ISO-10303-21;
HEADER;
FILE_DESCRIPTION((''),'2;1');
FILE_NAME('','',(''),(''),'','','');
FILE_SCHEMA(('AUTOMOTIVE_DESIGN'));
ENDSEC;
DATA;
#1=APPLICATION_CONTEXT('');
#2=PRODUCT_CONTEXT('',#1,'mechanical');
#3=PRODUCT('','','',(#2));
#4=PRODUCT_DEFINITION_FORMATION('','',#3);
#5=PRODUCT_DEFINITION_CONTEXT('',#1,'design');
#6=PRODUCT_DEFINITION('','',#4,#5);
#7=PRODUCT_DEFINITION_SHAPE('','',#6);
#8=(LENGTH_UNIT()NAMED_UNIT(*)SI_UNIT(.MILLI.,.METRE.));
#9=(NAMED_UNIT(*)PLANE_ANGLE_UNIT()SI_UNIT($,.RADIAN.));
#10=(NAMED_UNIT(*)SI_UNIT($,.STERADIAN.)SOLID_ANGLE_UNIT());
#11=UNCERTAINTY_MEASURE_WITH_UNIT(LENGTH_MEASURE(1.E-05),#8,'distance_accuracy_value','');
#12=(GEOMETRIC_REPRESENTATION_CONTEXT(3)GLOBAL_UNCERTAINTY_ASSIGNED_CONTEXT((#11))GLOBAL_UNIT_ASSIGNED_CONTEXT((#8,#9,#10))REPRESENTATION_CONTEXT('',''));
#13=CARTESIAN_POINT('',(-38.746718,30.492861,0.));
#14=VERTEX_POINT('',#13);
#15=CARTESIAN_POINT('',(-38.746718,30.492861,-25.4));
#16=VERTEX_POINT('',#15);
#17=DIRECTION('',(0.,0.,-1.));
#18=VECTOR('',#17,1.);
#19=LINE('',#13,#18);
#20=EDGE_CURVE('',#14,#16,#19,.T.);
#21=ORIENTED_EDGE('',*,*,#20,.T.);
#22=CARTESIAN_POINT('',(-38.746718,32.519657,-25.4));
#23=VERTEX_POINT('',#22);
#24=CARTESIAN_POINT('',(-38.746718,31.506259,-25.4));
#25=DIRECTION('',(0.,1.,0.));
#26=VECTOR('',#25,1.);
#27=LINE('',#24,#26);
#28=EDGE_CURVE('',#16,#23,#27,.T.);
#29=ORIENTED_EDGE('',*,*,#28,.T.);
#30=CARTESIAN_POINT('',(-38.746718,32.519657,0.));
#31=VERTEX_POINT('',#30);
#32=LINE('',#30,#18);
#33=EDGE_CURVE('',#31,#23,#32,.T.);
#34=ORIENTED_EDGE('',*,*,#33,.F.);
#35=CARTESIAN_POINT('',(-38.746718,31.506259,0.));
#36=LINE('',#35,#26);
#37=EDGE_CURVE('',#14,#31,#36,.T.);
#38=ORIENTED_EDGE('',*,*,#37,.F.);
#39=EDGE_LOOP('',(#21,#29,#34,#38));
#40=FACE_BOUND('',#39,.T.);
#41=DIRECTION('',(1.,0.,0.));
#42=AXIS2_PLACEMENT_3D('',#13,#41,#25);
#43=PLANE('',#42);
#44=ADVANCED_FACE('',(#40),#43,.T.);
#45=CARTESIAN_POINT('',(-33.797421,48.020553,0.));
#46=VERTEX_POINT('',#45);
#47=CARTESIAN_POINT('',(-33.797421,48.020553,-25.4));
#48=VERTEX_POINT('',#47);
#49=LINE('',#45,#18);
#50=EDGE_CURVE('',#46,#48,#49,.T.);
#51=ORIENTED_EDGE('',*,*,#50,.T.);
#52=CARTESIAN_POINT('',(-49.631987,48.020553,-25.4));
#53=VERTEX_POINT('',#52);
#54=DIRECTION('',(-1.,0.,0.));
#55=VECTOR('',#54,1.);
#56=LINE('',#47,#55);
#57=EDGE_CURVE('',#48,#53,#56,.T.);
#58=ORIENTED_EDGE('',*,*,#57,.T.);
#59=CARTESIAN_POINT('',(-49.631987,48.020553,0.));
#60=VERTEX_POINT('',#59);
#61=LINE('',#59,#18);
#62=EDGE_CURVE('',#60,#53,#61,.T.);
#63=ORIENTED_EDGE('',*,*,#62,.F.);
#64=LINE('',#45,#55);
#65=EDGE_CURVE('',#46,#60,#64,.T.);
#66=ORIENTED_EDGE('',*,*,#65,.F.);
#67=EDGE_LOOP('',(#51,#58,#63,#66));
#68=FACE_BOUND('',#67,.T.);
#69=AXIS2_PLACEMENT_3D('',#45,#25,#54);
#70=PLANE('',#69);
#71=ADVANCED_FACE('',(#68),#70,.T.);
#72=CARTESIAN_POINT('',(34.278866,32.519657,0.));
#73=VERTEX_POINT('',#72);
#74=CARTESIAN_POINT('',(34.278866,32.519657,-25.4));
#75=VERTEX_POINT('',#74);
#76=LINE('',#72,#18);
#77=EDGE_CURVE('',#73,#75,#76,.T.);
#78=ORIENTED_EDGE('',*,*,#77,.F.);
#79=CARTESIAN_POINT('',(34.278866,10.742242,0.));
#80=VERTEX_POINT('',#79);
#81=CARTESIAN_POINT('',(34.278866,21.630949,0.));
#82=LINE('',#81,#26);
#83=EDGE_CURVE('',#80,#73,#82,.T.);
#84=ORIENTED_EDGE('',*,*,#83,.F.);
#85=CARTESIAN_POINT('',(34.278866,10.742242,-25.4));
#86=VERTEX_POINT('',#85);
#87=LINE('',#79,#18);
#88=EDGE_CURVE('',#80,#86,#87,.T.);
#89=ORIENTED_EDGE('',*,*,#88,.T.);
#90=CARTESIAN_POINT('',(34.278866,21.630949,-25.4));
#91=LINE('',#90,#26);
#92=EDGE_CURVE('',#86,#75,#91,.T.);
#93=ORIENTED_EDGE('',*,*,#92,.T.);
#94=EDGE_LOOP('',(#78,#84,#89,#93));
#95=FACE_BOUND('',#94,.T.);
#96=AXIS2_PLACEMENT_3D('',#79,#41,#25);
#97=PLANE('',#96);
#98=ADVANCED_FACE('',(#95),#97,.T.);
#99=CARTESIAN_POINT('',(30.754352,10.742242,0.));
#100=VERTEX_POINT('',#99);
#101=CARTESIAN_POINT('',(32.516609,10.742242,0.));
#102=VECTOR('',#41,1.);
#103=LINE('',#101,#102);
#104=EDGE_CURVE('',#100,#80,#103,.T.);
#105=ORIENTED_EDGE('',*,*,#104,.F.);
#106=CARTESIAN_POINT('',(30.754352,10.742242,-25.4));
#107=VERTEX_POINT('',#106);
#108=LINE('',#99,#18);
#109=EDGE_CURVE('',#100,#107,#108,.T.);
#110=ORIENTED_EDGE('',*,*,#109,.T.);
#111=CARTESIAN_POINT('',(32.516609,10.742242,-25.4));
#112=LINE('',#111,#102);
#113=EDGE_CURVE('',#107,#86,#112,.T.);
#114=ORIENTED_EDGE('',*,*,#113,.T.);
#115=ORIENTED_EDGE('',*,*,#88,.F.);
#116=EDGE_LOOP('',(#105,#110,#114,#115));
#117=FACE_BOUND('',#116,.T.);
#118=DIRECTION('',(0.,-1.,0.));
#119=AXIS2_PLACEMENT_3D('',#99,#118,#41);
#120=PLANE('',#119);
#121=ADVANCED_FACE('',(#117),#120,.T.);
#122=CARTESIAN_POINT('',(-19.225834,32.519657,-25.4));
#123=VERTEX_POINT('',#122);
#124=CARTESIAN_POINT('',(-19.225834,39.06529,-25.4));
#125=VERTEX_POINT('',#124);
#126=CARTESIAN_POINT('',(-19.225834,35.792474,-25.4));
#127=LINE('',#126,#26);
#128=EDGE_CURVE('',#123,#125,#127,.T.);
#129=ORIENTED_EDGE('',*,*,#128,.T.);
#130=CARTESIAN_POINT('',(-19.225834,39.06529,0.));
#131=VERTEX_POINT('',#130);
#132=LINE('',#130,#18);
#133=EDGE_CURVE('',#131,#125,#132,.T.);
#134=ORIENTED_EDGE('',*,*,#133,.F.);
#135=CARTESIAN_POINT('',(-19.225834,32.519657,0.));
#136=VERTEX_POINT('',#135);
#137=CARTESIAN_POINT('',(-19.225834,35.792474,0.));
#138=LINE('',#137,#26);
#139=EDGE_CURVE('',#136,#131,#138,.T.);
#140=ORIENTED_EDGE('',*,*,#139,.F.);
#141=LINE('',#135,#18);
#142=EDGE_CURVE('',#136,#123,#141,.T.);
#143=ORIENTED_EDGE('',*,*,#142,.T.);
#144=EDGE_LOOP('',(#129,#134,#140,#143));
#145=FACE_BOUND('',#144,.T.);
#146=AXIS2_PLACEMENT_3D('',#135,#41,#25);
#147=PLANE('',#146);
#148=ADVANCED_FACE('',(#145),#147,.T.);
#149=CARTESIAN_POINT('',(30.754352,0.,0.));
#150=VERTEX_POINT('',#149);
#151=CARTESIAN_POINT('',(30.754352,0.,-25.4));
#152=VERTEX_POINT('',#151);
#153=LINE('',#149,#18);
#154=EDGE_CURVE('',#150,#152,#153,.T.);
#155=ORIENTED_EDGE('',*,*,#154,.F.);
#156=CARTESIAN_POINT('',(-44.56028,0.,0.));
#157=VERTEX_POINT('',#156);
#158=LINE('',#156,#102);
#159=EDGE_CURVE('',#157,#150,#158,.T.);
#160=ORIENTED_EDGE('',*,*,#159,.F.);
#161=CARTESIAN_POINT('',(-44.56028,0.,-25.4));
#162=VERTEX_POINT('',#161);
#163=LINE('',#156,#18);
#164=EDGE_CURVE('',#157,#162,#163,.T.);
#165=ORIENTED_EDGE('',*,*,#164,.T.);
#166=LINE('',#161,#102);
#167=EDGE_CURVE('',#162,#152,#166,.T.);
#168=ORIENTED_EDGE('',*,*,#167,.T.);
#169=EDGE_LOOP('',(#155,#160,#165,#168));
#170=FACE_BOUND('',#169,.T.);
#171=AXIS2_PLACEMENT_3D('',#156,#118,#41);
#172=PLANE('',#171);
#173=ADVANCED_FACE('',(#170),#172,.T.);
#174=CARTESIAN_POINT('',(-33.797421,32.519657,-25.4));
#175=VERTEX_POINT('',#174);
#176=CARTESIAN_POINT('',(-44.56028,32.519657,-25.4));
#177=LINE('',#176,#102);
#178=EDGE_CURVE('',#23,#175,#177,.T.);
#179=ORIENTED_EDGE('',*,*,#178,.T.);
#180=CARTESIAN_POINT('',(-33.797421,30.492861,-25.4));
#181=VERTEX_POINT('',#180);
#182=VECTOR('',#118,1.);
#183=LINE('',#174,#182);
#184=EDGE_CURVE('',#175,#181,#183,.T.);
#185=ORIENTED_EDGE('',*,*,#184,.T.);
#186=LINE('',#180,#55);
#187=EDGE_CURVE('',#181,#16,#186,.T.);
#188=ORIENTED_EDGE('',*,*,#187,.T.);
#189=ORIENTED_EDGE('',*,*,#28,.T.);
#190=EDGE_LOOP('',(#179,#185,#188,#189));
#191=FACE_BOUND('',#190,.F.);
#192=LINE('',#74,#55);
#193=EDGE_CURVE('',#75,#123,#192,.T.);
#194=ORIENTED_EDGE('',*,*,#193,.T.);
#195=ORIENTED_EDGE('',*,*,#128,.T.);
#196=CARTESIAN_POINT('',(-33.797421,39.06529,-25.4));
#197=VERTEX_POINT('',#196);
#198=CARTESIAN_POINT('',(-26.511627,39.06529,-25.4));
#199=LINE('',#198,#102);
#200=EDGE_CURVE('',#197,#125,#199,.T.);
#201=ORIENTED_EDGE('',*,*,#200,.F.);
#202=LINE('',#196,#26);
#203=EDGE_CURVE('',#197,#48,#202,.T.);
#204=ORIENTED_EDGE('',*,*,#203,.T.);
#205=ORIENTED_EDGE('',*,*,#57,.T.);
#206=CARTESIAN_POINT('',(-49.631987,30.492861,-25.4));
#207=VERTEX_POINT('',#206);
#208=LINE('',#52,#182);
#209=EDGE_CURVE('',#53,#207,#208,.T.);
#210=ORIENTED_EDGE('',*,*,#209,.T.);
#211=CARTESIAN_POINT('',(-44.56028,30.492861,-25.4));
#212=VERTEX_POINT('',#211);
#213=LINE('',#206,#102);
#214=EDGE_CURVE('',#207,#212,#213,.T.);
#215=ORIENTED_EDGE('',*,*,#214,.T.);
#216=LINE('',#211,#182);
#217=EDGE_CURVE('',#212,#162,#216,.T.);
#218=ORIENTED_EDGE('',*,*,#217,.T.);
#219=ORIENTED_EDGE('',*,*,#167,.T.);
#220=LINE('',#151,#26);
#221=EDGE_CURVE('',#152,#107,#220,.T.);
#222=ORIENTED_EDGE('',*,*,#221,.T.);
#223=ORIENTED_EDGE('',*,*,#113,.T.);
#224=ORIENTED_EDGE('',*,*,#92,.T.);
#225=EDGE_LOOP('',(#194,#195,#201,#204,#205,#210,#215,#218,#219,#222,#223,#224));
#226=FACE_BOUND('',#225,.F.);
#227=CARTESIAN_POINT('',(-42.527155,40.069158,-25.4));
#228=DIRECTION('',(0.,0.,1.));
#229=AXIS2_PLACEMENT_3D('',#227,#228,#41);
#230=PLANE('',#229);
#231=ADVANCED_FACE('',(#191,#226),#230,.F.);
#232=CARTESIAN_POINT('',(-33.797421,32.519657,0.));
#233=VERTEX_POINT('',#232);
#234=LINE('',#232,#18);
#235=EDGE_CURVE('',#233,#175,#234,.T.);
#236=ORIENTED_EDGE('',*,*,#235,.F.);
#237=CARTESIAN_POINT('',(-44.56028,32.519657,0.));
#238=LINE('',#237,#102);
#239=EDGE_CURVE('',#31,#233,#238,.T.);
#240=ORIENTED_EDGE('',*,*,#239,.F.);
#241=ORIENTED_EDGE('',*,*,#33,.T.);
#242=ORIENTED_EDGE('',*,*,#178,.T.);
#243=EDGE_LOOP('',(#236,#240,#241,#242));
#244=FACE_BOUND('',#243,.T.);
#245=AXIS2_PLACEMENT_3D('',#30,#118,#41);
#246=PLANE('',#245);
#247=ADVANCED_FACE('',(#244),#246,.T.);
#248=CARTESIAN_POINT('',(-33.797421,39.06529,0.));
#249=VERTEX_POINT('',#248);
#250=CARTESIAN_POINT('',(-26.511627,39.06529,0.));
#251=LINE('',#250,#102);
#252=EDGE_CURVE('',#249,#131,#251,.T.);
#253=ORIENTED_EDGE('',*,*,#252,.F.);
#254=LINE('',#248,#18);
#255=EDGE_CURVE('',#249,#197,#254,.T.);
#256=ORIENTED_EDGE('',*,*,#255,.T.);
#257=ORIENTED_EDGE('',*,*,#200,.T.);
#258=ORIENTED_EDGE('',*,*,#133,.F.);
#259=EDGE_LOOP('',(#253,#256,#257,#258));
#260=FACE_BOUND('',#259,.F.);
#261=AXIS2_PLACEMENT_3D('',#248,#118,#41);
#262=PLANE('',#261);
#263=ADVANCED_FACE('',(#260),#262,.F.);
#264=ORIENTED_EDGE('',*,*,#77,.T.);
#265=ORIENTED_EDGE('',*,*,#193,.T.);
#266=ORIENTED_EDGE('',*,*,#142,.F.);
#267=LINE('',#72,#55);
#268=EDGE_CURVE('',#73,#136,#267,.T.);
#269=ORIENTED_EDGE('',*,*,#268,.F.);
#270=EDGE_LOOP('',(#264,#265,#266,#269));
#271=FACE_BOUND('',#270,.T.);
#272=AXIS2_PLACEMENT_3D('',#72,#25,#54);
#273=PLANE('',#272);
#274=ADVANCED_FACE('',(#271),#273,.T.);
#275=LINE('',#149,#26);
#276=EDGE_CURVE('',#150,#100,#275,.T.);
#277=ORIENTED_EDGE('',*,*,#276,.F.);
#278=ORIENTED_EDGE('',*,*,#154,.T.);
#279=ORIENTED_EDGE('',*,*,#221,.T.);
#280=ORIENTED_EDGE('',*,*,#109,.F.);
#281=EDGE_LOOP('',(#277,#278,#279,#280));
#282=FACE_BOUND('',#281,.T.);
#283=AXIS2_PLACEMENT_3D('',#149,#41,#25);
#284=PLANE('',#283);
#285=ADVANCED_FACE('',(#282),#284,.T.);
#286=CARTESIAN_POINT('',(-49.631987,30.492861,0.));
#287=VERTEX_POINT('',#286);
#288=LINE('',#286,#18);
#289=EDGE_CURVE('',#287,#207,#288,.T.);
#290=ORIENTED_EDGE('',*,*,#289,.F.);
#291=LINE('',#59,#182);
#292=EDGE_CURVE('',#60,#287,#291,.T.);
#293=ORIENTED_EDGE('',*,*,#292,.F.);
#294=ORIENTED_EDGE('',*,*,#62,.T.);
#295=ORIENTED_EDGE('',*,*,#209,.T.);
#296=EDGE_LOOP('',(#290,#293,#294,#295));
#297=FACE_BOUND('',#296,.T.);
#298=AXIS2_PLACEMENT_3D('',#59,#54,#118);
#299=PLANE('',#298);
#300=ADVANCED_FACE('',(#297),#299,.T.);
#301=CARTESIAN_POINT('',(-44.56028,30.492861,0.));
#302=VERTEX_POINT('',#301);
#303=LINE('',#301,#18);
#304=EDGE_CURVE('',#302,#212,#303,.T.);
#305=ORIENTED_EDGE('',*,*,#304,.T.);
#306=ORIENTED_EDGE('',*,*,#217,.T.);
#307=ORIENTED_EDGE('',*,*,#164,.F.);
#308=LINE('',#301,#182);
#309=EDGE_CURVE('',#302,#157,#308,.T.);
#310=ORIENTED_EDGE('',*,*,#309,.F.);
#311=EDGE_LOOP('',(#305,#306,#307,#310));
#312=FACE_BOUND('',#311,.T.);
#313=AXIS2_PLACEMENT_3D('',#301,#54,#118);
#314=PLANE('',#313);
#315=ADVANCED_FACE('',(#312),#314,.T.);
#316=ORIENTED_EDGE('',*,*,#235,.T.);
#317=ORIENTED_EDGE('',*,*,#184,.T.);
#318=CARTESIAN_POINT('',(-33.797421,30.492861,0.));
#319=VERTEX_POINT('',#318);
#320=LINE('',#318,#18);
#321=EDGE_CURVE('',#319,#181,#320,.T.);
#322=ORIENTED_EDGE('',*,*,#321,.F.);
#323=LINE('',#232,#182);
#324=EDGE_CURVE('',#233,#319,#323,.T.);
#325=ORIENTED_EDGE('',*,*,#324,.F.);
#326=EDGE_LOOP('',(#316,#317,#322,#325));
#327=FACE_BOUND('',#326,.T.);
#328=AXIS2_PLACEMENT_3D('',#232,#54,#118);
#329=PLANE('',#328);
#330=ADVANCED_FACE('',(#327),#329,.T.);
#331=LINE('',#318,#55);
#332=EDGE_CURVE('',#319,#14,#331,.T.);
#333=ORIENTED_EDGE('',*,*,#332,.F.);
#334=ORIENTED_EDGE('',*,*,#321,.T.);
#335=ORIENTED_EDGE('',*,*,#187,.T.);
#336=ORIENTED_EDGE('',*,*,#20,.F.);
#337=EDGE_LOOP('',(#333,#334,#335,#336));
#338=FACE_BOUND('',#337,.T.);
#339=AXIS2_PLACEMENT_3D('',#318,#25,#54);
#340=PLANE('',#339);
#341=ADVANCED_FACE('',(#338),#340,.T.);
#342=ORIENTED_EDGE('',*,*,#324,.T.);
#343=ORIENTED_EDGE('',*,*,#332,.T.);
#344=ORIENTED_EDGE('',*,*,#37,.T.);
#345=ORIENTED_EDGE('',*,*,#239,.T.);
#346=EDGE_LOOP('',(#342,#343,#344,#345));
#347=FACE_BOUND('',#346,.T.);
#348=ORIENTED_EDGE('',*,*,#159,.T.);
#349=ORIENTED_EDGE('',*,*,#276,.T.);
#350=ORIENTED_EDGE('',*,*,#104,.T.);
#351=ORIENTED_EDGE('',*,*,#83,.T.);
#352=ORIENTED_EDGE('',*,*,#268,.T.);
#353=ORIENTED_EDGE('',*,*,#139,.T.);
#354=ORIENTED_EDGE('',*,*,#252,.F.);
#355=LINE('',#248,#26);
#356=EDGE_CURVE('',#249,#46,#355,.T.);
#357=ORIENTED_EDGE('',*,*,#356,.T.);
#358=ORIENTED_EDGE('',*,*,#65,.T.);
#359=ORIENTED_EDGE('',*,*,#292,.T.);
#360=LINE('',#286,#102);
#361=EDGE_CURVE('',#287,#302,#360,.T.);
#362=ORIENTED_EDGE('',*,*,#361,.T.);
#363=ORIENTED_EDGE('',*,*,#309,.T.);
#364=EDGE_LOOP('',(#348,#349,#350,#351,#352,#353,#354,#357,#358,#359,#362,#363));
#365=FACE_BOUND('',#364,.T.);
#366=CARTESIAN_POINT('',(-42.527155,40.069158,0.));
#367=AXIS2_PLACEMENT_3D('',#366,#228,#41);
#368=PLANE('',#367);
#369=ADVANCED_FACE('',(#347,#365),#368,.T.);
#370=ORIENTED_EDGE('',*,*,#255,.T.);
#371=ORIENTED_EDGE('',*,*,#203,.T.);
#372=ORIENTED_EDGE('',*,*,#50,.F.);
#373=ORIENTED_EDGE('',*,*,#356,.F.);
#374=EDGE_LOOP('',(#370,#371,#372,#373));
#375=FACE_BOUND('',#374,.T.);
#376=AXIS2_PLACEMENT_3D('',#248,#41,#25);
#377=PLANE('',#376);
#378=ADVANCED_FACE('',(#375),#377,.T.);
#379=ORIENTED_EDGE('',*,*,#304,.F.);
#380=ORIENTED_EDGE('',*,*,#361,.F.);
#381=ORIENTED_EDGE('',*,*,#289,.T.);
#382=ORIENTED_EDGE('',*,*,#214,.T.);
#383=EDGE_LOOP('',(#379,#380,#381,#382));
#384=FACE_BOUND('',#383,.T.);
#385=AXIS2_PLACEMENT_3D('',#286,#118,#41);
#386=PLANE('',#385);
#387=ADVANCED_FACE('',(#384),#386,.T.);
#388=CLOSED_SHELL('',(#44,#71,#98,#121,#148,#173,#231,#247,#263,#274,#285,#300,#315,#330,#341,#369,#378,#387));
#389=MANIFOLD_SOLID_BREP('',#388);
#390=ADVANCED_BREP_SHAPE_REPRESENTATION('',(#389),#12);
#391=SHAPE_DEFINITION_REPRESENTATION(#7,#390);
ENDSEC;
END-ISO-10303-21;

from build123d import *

# Parameters (mm, degrees)
F0_W     = 14.5715866238
F0_H     = 6.5456330776
F0_W_2   = 4.949297756
F0_W_3   = 5.8135613799
F0_H_2   = 2.0267963409
F0_W_4   = 3.5245139152
F0_H_3   = 21.7774156481
F1_DEPTH = 25.4


with BuildPart() as f1:
    # F0 (on Top) → F1 (new body)
    with BuildSketch(Plane.XY):
        Polygon((-33.7974205613, 48.0205528438), (-49.6319867671, 48.0205528438), (-49.6319867671, 30.4928608239), (-44.5602796972, 30.4928608239), (-44.5602796972, 32.5196571648), (-38.7467183173, 32.5196571648), (-38.7467183173, 39.0652902424), (-33.7974205613, 39.0652902424), align=None)
        with Locations((-26.5116272494, 35.7924737036)):
            Rectangle(F0_W, F0_H)
        with Locations((-36.2720694393, 35.7924737036)):
            Rectangle(F0_W_2, F0_H)
        with Locations((-41.6534990072, 31.5062589943)):
            Rectangle(F0_W_3, F0_H_2)
        Polygon((-38.7467183173, 30.4928608239), (-44.5602796972, 30.4928608239), (-44.5602796972, 0), (30.7543519884, 0), (30.7543519884, 10.7422415167), (30.7543519884, 32.5196571648), (-19.2258339375, 32.5196571648), (-19.2258339375, 9.3785366043), (-38.7467183173, 9.3785366043), align=None)
        Polygon((-19.2258339375, 32.5196571648), (-33.7974205613, 32.5196571648), (-33.7974205613, 30.4928608239), (-38.7467183173, 30.4928608239), (-38.7467183173, 9.3785366043), (-19.2258339375, 9.3785366043), align=None)
        with Locations((32.516608946, 21.6309493408)):
            Rectangle(F0_W_4, F0_H_3)
    extrude(amount=-F1_DEPTH)


solid = f1.part
